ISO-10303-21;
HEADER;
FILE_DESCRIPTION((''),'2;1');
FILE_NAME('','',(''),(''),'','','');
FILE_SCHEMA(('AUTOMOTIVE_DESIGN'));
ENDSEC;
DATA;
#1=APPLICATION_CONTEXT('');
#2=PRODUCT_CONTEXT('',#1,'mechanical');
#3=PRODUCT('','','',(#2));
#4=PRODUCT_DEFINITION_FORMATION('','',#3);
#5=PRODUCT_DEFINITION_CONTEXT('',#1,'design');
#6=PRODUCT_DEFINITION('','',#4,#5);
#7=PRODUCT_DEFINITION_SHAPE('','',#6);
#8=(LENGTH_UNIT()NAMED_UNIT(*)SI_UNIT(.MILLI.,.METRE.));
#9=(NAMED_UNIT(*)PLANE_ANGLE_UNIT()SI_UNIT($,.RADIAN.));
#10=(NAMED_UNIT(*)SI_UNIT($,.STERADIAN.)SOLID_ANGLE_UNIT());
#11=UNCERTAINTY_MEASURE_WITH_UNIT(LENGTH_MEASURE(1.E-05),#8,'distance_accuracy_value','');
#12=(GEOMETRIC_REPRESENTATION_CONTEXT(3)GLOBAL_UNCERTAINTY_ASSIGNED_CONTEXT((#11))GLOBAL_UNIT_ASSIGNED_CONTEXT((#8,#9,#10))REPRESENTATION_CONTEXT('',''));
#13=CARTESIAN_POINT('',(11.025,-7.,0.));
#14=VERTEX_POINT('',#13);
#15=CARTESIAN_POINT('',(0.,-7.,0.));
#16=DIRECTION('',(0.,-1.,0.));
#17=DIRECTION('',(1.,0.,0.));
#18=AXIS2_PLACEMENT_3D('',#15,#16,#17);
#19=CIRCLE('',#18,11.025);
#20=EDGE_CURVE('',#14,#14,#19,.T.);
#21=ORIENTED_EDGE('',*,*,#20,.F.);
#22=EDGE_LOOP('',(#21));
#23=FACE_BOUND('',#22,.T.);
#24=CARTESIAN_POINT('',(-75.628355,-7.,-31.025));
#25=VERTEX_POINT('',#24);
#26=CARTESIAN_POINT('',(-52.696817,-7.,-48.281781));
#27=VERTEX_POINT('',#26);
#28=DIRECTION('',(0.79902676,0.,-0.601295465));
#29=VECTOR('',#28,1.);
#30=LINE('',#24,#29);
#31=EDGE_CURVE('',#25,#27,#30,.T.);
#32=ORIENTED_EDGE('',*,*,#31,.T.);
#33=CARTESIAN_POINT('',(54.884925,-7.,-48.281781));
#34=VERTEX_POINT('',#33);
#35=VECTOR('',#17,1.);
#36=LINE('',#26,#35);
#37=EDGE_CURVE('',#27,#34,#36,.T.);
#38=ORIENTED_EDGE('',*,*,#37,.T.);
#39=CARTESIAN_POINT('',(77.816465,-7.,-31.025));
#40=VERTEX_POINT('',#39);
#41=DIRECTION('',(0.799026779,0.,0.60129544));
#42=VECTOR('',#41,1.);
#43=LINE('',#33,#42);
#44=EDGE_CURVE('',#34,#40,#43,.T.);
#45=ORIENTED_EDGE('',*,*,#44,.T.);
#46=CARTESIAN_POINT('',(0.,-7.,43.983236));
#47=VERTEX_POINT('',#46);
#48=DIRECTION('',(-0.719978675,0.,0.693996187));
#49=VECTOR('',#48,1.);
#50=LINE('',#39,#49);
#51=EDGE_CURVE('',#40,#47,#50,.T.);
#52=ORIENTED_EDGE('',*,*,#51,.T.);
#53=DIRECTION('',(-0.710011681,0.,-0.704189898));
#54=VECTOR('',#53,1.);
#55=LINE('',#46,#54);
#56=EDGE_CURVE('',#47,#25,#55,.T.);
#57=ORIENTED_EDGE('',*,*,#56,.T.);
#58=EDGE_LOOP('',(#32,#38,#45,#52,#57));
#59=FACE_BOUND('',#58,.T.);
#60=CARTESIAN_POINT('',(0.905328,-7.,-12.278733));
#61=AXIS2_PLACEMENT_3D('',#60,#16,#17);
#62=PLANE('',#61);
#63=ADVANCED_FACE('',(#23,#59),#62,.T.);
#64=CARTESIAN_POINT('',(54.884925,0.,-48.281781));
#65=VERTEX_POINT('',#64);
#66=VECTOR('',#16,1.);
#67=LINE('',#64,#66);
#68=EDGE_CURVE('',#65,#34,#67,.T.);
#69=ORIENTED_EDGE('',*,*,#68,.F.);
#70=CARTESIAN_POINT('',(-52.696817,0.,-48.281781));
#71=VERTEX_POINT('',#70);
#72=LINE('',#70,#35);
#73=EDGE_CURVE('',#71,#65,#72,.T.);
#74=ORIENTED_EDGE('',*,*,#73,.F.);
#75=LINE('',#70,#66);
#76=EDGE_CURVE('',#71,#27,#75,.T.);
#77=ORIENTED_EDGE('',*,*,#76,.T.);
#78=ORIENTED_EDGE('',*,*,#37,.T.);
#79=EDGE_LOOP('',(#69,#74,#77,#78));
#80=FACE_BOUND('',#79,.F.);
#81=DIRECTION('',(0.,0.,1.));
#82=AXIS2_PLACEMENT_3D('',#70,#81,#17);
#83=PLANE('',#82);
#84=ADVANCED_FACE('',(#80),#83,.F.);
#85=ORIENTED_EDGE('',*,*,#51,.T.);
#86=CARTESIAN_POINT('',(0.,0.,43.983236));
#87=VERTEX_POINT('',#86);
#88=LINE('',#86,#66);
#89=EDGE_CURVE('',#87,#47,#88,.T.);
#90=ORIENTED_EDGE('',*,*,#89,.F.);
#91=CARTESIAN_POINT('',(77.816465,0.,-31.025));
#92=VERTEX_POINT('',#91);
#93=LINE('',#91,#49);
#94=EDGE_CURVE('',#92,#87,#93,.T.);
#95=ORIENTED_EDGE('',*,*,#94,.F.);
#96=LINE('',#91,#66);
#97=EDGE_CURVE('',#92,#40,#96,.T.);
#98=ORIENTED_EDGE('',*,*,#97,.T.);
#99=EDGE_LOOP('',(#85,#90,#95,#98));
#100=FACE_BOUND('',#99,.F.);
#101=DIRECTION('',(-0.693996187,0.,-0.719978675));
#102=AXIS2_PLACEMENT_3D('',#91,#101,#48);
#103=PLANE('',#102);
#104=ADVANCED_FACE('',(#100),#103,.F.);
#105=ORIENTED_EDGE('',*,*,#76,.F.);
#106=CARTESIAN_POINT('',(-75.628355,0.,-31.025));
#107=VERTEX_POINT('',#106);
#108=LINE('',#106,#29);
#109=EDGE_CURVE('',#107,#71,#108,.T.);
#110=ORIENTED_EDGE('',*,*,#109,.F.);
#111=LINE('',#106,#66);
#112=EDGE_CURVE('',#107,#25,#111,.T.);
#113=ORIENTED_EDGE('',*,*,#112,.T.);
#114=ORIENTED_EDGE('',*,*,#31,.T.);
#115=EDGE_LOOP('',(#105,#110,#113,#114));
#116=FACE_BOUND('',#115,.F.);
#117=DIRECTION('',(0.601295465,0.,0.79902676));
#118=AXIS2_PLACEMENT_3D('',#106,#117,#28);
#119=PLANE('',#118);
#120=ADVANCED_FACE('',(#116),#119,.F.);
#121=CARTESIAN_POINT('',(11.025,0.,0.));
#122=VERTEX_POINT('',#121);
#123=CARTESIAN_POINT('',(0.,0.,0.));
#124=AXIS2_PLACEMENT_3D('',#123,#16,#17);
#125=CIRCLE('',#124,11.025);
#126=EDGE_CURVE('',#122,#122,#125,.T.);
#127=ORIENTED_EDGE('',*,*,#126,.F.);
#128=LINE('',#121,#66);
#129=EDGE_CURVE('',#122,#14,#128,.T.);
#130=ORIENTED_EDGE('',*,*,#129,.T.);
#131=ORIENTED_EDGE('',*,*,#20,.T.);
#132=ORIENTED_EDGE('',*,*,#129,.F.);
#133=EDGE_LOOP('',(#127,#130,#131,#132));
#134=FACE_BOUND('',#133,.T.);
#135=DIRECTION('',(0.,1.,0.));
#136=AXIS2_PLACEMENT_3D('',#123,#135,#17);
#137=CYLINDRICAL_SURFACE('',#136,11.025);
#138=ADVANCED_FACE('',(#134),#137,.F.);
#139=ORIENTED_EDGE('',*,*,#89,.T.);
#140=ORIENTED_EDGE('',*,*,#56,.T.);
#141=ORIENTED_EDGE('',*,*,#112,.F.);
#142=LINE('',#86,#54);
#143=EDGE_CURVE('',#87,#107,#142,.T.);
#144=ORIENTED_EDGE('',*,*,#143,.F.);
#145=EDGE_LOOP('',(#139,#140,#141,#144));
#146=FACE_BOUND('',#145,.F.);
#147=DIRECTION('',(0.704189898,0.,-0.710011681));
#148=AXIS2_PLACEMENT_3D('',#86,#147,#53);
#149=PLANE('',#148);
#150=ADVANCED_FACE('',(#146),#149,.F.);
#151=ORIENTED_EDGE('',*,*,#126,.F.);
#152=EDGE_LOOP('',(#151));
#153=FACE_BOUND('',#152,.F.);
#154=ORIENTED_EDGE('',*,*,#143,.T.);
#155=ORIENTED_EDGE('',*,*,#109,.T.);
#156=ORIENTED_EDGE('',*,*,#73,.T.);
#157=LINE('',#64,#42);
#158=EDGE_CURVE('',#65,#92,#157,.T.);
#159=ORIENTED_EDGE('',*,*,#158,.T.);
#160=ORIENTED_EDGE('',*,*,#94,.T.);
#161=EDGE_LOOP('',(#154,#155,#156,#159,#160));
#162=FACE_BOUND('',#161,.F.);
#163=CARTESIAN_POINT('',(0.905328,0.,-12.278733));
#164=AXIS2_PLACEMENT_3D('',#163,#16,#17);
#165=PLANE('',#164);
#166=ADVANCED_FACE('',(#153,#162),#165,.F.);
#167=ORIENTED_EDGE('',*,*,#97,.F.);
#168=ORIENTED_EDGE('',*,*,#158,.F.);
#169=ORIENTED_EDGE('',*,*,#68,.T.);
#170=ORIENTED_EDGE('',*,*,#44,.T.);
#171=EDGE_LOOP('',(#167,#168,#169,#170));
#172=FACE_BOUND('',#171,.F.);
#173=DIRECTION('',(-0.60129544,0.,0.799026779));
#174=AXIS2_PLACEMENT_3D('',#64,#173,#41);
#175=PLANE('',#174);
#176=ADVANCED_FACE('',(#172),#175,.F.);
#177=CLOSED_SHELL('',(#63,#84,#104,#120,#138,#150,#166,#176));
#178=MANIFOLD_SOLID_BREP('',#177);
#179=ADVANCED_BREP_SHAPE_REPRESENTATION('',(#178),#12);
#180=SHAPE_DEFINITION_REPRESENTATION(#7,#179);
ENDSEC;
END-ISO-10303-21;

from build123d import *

# Parameters (mm, degrees)
F0_R     = 16.025
F0_R_2   = 11.025
F1_DEPTH = 7


with BuildPart() as f1:
    # F0 (on Front) → F1 (new body)
    with BuildSketch(Plane.XZ):
        Polygon((-20, -31.025), (0, -31.025), (20, -31.025), (54.8849254847, -31.025), (0, 31.025), (-52.6968166232, -31.025), align=None)
        Circle(F0_R, mode=Mode.SUBTRACT)
        Polygon((-75.6283551455, -31.025), (-52.6968166232, -31.025), (0, 31.025), (54.8849254847, -31.025), (77.8164654847, -31.025), (0, 43.9832359552), align=None)
        Polygon((20, -31.025), (0, -31.025), (-20, -31.025), (-52.6968166232, -31.025), (-75.6283551455, -31.025), (-52.6968166232, -48.2817813754), (54.8849254847, -48.2817813754), (77.8164654847, -31.025), (54.8849254847, -31.025), align=None)
        Circle(F0_R)
        Circle(F0_R_2, mode=Mode.SUBTRACT)
    extrude(amount=F1_DEPTH)


solid = f1.part
